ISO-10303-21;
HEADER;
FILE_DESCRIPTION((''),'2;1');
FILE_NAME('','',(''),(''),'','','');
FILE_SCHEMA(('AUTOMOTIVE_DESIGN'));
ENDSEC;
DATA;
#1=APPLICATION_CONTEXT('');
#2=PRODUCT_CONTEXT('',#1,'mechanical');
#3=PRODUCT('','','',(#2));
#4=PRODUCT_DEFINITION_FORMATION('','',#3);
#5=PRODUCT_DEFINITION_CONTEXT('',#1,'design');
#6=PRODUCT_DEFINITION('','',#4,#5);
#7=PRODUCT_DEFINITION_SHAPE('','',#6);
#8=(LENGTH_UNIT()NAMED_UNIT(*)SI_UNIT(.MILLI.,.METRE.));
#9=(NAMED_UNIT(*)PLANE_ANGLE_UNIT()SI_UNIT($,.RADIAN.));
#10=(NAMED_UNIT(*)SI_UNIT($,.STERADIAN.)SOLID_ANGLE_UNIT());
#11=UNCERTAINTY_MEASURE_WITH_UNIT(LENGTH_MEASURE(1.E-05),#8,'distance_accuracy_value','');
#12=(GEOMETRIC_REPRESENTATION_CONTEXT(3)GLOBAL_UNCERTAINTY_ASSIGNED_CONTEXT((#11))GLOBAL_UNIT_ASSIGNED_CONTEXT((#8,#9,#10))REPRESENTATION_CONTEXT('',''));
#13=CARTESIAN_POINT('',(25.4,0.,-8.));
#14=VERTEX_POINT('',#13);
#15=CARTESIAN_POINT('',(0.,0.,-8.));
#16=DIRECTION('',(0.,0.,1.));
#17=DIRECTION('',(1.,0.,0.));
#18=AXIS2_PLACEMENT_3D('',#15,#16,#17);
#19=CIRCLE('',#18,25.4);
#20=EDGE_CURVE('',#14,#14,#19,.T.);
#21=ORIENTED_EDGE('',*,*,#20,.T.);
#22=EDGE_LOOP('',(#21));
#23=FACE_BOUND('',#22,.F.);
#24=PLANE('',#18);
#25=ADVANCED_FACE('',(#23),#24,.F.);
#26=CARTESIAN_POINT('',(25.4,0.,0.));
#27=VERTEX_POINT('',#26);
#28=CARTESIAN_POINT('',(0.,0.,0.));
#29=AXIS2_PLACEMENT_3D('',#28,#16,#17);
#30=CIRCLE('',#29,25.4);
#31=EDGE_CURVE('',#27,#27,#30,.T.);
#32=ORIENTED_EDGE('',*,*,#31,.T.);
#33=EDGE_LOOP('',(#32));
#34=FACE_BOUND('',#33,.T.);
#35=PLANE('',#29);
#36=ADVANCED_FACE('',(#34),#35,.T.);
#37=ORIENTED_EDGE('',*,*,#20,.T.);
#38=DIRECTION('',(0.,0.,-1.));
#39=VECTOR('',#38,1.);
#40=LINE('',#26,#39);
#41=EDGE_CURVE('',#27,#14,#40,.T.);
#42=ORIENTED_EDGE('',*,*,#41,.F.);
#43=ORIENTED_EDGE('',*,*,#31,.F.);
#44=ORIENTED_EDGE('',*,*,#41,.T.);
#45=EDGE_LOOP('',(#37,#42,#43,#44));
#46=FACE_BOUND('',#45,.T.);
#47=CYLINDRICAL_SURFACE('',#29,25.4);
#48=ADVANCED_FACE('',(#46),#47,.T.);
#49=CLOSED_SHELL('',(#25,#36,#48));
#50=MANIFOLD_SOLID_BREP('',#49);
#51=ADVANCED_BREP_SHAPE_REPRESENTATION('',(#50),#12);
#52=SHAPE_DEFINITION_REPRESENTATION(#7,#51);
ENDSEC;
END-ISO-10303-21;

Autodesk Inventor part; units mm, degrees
ref_plane "YZ Plane" through (0, 0, 0) normal (1, 0, 0) x (0, 1, 0)
ref_plane "XZ Plane" through (0, 0, 0) normal (0, 1, 0) x (-1, 0, 0)
ref_plane "XY Plane" through (0, 0, 0) normal (0, 0, 1) x (1, 0, 0)
sketch "Sketch1" plane through (0, 0, 0) normal (0, 0, 1) x (1, 0, 0)
  circle A0 centre (0, 0) radius 25.4
  dimension "d0" = 50.8
extrude "Extrusion1" add sketch "Sketch1" against normal blind 8
properties part number "Beamsplitter 2 inch" material "Glass"
